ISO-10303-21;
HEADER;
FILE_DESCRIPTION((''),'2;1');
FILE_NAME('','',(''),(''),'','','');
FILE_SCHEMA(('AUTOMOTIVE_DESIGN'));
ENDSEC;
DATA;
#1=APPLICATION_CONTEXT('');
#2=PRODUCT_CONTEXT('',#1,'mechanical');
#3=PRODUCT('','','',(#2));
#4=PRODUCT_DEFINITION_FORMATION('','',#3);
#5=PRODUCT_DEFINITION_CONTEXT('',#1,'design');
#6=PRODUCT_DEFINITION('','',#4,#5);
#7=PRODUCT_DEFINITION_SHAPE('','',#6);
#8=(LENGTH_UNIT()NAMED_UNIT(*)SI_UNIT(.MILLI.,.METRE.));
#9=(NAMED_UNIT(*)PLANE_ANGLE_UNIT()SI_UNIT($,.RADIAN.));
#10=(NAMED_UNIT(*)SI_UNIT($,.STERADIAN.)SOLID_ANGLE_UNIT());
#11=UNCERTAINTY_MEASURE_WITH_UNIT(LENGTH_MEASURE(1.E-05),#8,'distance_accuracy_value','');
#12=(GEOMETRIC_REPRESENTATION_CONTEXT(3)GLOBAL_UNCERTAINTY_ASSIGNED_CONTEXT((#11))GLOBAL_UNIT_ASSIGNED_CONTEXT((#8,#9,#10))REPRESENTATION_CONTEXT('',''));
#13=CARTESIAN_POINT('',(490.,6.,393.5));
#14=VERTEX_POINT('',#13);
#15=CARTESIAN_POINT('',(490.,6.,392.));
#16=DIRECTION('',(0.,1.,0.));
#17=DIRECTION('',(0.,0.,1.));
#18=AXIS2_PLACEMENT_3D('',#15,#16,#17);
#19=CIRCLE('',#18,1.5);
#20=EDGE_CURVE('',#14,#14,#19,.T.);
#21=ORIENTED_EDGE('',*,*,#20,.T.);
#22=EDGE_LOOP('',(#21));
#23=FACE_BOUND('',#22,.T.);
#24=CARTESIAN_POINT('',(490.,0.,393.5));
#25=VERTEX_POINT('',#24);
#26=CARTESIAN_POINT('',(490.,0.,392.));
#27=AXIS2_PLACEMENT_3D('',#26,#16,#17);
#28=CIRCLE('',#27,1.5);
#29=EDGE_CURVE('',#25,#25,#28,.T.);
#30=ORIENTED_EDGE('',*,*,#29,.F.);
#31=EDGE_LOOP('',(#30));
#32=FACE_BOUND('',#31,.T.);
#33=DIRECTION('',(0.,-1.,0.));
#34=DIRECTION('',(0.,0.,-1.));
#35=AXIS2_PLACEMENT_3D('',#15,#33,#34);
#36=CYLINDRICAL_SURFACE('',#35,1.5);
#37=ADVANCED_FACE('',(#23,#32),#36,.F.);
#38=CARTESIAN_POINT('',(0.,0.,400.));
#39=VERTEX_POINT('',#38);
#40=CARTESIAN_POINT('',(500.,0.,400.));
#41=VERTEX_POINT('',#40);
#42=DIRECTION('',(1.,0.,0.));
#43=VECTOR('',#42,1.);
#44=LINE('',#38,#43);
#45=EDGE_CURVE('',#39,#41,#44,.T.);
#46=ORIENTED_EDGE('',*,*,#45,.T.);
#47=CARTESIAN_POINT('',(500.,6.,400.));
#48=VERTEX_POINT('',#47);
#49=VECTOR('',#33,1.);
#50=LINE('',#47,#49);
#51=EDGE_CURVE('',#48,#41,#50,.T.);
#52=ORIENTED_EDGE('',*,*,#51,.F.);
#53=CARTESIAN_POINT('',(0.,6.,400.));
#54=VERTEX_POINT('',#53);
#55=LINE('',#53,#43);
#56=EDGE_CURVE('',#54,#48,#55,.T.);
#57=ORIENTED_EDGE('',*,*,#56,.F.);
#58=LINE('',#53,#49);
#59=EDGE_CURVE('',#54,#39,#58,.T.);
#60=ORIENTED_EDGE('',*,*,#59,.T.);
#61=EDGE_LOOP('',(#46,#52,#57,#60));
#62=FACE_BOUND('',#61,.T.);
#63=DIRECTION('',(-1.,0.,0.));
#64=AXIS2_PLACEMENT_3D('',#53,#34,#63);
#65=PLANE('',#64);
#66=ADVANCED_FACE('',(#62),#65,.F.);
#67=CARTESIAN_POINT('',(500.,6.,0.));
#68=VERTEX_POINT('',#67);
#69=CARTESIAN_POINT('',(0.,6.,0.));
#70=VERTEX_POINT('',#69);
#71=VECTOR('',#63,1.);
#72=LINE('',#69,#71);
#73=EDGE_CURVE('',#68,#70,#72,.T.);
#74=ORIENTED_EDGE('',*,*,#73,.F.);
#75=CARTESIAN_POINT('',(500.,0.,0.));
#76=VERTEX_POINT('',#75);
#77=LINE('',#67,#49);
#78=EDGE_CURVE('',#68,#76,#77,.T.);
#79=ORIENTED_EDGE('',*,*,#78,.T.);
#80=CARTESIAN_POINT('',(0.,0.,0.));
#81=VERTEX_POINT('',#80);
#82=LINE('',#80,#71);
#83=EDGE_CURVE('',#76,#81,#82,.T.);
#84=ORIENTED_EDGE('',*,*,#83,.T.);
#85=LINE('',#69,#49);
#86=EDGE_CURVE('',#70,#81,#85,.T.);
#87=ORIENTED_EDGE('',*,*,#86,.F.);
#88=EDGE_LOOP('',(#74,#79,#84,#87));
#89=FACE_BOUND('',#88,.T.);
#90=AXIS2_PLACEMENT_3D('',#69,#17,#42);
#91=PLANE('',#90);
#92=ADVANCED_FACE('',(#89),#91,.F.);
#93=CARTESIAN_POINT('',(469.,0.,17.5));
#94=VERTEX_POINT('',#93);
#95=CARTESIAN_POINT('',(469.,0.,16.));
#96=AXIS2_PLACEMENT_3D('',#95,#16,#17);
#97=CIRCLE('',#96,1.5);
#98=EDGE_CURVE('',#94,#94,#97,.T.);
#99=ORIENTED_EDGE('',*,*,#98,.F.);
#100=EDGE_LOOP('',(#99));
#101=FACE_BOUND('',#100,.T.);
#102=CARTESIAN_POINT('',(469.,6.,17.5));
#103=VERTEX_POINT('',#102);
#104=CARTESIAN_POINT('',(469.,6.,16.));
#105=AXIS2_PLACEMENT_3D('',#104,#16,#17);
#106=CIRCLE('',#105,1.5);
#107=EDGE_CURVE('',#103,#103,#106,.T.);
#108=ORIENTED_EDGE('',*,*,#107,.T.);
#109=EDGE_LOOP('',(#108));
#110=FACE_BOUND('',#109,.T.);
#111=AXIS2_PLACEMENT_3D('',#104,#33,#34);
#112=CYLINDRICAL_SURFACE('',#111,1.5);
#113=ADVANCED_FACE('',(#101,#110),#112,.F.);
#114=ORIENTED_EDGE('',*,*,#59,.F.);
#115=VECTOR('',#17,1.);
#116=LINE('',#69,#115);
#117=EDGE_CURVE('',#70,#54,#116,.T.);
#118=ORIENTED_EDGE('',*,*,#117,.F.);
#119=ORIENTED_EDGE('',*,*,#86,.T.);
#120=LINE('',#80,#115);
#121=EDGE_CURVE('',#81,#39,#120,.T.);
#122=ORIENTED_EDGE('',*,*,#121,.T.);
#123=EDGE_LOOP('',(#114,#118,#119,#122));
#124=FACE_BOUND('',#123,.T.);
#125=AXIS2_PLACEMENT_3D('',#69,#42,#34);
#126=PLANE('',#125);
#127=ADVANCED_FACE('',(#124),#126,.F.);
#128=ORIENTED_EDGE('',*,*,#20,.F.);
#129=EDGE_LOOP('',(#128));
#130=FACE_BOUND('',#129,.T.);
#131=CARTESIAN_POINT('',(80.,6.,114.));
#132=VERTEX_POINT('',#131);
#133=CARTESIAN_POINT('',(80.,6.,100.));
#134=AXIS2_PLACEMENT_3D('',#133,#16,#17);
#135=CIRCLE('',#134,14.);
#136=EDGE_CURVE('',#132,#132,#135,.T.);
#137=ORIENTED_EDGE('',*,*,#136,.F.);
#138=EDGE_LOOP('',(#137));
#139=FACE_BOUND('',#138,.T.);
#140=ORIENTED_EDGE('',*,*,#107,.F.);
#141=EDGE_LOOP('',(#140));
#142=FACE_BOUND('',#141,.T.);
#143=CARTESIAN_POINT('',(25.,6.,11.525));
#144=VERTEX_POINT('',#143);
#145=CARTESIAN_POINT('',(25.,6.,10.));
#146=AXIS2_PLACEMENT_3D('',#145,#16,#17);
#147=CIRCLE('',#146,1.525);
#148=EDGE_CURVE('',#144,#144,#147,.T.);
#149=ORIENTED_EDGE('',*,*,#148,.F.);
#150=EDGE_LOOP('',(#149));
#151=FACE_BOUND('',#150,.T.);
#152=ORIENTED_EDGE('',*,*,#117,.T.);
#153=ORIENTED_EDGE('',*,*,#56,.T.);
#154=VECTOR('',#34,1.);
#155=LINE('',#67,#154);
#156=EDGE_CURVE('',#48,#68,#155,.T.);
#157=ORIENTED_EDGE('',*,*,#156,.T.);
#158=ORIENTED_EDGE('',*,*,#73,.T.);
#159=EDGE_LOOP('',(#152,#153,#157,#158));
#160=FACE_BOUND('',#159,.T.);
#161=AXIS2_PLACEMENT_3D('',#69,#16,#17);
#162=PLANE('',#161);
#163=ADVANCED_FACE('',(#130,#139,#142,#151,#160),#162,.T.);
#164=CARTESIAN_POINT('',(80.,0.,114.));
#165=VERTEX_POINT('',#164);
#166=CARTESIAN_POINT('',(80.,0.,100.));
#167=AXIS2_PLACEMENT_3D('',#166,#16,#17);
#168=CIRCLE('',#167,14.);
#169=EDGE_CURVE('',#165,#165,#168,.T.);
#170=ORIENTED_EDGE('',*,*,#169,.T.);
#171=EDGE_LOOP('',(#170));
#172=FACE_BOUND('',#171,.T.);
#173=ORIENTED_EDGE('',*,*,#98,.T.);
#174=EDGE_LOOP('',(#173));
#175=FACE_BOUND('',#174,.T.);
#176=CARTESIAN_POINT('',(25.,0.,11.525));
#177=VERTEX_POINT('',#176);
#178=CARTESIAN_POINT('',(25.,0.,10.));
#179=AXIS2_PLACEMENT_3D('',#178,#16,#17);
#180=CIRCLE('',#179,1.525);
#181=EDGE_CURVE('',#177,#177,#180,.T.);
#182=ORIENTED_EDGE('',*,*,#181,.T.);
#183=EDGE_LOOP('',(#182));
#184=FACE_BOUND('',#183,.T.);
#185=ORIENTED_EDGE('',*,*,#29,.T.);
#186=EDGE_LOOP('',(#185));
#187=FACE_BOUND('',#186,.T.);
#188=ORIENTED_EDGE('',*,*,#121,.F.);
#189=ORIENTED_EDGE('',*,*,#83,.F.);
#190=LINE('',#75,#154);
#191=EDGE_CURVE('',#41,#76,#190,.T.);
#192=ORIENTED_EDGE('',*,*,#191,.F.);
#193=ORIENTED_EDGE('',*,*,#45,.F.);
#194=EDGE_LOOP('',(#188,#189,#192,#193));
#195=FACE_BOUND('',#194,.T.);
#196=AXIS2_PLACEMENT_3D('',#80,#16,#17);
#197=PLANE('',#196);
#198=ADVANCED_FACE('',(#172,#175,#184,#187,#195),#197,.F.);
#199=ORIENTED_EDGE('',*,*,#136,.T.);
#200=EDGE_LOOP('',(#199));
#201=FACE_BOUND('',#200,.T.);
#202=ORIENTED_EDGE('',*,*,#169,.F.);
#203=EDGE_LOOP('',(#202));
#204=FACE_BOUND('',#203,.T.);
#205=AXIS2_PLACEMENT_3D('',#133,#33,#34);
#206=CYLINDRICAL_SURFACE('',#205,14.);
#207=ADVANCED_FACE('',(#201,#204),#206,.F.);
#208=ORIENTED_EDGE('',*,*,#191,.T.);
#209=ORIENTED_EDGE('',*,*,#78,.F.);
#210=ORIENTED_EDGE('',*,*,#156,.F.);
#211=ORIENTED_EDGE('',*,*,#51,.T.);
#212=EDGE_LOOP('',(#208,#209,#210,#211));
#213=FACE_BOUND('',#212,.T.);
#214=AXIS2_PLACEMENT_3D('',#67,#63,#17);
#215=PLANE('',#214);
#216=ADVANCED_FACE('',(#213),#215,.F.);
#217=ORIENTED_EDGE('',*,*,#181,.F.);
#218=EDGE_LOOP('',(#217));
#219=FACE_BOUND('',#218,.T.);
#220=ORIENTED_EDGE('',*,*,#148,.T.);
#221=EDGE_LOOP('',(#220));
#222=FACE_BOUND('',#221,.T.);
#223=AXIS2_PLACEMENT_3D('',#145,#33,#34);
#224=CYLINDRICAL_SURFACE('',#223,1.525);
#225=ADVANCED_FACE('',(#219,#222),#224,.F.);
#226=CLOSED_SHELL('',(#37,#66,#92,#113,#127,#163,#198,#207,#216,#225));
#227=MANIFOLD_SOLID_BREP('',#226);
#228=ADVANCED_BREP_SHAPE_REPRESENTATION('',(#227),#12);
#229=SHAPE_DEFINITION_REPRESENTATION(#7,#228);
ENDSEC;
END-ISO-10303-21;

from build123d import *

# Parameters (mm, degrees)
SKETCH1_W           = 500
SKETCH1_H           = 400
SKETCH1_R           = 1.525
SKETCH1_R_2         = 14
SKETCH1_R_3         = 1.5
BOSS_EXTRUDE1_DEPTH = 6


with BuildPart() as part:
    # Sketch1 → Boss-Extrude1 (new body)
    with BuildSketch(Plane(origin=(0, 0, 0), x_dir=(1, 0, 0), z_dir=(0, 1, 0))):
        with Locations((250, -200)):
            Rectangle(SKETCH1_W, SKETCH1_H)
        with Locations((25, -10)):
            Circle(SKETCH1_R, mode=Mode.SUBTRACT)
        with Locations((80, -100)):
            Circle(SKETCH1_R_2, mode=Mode.SUBTRACT)
        with Locations((490, -392)):
            Circle(SKETCH1_R_3, mode=Mode.SUBTRACT)
        with Locations((469, -16)):
            Circle(SKETCH1_R_3, mode=Mode.SUBTRACT)
    extrude(amount=BOSS_EXTRUDE1_DEPTH)


solid = part.part
